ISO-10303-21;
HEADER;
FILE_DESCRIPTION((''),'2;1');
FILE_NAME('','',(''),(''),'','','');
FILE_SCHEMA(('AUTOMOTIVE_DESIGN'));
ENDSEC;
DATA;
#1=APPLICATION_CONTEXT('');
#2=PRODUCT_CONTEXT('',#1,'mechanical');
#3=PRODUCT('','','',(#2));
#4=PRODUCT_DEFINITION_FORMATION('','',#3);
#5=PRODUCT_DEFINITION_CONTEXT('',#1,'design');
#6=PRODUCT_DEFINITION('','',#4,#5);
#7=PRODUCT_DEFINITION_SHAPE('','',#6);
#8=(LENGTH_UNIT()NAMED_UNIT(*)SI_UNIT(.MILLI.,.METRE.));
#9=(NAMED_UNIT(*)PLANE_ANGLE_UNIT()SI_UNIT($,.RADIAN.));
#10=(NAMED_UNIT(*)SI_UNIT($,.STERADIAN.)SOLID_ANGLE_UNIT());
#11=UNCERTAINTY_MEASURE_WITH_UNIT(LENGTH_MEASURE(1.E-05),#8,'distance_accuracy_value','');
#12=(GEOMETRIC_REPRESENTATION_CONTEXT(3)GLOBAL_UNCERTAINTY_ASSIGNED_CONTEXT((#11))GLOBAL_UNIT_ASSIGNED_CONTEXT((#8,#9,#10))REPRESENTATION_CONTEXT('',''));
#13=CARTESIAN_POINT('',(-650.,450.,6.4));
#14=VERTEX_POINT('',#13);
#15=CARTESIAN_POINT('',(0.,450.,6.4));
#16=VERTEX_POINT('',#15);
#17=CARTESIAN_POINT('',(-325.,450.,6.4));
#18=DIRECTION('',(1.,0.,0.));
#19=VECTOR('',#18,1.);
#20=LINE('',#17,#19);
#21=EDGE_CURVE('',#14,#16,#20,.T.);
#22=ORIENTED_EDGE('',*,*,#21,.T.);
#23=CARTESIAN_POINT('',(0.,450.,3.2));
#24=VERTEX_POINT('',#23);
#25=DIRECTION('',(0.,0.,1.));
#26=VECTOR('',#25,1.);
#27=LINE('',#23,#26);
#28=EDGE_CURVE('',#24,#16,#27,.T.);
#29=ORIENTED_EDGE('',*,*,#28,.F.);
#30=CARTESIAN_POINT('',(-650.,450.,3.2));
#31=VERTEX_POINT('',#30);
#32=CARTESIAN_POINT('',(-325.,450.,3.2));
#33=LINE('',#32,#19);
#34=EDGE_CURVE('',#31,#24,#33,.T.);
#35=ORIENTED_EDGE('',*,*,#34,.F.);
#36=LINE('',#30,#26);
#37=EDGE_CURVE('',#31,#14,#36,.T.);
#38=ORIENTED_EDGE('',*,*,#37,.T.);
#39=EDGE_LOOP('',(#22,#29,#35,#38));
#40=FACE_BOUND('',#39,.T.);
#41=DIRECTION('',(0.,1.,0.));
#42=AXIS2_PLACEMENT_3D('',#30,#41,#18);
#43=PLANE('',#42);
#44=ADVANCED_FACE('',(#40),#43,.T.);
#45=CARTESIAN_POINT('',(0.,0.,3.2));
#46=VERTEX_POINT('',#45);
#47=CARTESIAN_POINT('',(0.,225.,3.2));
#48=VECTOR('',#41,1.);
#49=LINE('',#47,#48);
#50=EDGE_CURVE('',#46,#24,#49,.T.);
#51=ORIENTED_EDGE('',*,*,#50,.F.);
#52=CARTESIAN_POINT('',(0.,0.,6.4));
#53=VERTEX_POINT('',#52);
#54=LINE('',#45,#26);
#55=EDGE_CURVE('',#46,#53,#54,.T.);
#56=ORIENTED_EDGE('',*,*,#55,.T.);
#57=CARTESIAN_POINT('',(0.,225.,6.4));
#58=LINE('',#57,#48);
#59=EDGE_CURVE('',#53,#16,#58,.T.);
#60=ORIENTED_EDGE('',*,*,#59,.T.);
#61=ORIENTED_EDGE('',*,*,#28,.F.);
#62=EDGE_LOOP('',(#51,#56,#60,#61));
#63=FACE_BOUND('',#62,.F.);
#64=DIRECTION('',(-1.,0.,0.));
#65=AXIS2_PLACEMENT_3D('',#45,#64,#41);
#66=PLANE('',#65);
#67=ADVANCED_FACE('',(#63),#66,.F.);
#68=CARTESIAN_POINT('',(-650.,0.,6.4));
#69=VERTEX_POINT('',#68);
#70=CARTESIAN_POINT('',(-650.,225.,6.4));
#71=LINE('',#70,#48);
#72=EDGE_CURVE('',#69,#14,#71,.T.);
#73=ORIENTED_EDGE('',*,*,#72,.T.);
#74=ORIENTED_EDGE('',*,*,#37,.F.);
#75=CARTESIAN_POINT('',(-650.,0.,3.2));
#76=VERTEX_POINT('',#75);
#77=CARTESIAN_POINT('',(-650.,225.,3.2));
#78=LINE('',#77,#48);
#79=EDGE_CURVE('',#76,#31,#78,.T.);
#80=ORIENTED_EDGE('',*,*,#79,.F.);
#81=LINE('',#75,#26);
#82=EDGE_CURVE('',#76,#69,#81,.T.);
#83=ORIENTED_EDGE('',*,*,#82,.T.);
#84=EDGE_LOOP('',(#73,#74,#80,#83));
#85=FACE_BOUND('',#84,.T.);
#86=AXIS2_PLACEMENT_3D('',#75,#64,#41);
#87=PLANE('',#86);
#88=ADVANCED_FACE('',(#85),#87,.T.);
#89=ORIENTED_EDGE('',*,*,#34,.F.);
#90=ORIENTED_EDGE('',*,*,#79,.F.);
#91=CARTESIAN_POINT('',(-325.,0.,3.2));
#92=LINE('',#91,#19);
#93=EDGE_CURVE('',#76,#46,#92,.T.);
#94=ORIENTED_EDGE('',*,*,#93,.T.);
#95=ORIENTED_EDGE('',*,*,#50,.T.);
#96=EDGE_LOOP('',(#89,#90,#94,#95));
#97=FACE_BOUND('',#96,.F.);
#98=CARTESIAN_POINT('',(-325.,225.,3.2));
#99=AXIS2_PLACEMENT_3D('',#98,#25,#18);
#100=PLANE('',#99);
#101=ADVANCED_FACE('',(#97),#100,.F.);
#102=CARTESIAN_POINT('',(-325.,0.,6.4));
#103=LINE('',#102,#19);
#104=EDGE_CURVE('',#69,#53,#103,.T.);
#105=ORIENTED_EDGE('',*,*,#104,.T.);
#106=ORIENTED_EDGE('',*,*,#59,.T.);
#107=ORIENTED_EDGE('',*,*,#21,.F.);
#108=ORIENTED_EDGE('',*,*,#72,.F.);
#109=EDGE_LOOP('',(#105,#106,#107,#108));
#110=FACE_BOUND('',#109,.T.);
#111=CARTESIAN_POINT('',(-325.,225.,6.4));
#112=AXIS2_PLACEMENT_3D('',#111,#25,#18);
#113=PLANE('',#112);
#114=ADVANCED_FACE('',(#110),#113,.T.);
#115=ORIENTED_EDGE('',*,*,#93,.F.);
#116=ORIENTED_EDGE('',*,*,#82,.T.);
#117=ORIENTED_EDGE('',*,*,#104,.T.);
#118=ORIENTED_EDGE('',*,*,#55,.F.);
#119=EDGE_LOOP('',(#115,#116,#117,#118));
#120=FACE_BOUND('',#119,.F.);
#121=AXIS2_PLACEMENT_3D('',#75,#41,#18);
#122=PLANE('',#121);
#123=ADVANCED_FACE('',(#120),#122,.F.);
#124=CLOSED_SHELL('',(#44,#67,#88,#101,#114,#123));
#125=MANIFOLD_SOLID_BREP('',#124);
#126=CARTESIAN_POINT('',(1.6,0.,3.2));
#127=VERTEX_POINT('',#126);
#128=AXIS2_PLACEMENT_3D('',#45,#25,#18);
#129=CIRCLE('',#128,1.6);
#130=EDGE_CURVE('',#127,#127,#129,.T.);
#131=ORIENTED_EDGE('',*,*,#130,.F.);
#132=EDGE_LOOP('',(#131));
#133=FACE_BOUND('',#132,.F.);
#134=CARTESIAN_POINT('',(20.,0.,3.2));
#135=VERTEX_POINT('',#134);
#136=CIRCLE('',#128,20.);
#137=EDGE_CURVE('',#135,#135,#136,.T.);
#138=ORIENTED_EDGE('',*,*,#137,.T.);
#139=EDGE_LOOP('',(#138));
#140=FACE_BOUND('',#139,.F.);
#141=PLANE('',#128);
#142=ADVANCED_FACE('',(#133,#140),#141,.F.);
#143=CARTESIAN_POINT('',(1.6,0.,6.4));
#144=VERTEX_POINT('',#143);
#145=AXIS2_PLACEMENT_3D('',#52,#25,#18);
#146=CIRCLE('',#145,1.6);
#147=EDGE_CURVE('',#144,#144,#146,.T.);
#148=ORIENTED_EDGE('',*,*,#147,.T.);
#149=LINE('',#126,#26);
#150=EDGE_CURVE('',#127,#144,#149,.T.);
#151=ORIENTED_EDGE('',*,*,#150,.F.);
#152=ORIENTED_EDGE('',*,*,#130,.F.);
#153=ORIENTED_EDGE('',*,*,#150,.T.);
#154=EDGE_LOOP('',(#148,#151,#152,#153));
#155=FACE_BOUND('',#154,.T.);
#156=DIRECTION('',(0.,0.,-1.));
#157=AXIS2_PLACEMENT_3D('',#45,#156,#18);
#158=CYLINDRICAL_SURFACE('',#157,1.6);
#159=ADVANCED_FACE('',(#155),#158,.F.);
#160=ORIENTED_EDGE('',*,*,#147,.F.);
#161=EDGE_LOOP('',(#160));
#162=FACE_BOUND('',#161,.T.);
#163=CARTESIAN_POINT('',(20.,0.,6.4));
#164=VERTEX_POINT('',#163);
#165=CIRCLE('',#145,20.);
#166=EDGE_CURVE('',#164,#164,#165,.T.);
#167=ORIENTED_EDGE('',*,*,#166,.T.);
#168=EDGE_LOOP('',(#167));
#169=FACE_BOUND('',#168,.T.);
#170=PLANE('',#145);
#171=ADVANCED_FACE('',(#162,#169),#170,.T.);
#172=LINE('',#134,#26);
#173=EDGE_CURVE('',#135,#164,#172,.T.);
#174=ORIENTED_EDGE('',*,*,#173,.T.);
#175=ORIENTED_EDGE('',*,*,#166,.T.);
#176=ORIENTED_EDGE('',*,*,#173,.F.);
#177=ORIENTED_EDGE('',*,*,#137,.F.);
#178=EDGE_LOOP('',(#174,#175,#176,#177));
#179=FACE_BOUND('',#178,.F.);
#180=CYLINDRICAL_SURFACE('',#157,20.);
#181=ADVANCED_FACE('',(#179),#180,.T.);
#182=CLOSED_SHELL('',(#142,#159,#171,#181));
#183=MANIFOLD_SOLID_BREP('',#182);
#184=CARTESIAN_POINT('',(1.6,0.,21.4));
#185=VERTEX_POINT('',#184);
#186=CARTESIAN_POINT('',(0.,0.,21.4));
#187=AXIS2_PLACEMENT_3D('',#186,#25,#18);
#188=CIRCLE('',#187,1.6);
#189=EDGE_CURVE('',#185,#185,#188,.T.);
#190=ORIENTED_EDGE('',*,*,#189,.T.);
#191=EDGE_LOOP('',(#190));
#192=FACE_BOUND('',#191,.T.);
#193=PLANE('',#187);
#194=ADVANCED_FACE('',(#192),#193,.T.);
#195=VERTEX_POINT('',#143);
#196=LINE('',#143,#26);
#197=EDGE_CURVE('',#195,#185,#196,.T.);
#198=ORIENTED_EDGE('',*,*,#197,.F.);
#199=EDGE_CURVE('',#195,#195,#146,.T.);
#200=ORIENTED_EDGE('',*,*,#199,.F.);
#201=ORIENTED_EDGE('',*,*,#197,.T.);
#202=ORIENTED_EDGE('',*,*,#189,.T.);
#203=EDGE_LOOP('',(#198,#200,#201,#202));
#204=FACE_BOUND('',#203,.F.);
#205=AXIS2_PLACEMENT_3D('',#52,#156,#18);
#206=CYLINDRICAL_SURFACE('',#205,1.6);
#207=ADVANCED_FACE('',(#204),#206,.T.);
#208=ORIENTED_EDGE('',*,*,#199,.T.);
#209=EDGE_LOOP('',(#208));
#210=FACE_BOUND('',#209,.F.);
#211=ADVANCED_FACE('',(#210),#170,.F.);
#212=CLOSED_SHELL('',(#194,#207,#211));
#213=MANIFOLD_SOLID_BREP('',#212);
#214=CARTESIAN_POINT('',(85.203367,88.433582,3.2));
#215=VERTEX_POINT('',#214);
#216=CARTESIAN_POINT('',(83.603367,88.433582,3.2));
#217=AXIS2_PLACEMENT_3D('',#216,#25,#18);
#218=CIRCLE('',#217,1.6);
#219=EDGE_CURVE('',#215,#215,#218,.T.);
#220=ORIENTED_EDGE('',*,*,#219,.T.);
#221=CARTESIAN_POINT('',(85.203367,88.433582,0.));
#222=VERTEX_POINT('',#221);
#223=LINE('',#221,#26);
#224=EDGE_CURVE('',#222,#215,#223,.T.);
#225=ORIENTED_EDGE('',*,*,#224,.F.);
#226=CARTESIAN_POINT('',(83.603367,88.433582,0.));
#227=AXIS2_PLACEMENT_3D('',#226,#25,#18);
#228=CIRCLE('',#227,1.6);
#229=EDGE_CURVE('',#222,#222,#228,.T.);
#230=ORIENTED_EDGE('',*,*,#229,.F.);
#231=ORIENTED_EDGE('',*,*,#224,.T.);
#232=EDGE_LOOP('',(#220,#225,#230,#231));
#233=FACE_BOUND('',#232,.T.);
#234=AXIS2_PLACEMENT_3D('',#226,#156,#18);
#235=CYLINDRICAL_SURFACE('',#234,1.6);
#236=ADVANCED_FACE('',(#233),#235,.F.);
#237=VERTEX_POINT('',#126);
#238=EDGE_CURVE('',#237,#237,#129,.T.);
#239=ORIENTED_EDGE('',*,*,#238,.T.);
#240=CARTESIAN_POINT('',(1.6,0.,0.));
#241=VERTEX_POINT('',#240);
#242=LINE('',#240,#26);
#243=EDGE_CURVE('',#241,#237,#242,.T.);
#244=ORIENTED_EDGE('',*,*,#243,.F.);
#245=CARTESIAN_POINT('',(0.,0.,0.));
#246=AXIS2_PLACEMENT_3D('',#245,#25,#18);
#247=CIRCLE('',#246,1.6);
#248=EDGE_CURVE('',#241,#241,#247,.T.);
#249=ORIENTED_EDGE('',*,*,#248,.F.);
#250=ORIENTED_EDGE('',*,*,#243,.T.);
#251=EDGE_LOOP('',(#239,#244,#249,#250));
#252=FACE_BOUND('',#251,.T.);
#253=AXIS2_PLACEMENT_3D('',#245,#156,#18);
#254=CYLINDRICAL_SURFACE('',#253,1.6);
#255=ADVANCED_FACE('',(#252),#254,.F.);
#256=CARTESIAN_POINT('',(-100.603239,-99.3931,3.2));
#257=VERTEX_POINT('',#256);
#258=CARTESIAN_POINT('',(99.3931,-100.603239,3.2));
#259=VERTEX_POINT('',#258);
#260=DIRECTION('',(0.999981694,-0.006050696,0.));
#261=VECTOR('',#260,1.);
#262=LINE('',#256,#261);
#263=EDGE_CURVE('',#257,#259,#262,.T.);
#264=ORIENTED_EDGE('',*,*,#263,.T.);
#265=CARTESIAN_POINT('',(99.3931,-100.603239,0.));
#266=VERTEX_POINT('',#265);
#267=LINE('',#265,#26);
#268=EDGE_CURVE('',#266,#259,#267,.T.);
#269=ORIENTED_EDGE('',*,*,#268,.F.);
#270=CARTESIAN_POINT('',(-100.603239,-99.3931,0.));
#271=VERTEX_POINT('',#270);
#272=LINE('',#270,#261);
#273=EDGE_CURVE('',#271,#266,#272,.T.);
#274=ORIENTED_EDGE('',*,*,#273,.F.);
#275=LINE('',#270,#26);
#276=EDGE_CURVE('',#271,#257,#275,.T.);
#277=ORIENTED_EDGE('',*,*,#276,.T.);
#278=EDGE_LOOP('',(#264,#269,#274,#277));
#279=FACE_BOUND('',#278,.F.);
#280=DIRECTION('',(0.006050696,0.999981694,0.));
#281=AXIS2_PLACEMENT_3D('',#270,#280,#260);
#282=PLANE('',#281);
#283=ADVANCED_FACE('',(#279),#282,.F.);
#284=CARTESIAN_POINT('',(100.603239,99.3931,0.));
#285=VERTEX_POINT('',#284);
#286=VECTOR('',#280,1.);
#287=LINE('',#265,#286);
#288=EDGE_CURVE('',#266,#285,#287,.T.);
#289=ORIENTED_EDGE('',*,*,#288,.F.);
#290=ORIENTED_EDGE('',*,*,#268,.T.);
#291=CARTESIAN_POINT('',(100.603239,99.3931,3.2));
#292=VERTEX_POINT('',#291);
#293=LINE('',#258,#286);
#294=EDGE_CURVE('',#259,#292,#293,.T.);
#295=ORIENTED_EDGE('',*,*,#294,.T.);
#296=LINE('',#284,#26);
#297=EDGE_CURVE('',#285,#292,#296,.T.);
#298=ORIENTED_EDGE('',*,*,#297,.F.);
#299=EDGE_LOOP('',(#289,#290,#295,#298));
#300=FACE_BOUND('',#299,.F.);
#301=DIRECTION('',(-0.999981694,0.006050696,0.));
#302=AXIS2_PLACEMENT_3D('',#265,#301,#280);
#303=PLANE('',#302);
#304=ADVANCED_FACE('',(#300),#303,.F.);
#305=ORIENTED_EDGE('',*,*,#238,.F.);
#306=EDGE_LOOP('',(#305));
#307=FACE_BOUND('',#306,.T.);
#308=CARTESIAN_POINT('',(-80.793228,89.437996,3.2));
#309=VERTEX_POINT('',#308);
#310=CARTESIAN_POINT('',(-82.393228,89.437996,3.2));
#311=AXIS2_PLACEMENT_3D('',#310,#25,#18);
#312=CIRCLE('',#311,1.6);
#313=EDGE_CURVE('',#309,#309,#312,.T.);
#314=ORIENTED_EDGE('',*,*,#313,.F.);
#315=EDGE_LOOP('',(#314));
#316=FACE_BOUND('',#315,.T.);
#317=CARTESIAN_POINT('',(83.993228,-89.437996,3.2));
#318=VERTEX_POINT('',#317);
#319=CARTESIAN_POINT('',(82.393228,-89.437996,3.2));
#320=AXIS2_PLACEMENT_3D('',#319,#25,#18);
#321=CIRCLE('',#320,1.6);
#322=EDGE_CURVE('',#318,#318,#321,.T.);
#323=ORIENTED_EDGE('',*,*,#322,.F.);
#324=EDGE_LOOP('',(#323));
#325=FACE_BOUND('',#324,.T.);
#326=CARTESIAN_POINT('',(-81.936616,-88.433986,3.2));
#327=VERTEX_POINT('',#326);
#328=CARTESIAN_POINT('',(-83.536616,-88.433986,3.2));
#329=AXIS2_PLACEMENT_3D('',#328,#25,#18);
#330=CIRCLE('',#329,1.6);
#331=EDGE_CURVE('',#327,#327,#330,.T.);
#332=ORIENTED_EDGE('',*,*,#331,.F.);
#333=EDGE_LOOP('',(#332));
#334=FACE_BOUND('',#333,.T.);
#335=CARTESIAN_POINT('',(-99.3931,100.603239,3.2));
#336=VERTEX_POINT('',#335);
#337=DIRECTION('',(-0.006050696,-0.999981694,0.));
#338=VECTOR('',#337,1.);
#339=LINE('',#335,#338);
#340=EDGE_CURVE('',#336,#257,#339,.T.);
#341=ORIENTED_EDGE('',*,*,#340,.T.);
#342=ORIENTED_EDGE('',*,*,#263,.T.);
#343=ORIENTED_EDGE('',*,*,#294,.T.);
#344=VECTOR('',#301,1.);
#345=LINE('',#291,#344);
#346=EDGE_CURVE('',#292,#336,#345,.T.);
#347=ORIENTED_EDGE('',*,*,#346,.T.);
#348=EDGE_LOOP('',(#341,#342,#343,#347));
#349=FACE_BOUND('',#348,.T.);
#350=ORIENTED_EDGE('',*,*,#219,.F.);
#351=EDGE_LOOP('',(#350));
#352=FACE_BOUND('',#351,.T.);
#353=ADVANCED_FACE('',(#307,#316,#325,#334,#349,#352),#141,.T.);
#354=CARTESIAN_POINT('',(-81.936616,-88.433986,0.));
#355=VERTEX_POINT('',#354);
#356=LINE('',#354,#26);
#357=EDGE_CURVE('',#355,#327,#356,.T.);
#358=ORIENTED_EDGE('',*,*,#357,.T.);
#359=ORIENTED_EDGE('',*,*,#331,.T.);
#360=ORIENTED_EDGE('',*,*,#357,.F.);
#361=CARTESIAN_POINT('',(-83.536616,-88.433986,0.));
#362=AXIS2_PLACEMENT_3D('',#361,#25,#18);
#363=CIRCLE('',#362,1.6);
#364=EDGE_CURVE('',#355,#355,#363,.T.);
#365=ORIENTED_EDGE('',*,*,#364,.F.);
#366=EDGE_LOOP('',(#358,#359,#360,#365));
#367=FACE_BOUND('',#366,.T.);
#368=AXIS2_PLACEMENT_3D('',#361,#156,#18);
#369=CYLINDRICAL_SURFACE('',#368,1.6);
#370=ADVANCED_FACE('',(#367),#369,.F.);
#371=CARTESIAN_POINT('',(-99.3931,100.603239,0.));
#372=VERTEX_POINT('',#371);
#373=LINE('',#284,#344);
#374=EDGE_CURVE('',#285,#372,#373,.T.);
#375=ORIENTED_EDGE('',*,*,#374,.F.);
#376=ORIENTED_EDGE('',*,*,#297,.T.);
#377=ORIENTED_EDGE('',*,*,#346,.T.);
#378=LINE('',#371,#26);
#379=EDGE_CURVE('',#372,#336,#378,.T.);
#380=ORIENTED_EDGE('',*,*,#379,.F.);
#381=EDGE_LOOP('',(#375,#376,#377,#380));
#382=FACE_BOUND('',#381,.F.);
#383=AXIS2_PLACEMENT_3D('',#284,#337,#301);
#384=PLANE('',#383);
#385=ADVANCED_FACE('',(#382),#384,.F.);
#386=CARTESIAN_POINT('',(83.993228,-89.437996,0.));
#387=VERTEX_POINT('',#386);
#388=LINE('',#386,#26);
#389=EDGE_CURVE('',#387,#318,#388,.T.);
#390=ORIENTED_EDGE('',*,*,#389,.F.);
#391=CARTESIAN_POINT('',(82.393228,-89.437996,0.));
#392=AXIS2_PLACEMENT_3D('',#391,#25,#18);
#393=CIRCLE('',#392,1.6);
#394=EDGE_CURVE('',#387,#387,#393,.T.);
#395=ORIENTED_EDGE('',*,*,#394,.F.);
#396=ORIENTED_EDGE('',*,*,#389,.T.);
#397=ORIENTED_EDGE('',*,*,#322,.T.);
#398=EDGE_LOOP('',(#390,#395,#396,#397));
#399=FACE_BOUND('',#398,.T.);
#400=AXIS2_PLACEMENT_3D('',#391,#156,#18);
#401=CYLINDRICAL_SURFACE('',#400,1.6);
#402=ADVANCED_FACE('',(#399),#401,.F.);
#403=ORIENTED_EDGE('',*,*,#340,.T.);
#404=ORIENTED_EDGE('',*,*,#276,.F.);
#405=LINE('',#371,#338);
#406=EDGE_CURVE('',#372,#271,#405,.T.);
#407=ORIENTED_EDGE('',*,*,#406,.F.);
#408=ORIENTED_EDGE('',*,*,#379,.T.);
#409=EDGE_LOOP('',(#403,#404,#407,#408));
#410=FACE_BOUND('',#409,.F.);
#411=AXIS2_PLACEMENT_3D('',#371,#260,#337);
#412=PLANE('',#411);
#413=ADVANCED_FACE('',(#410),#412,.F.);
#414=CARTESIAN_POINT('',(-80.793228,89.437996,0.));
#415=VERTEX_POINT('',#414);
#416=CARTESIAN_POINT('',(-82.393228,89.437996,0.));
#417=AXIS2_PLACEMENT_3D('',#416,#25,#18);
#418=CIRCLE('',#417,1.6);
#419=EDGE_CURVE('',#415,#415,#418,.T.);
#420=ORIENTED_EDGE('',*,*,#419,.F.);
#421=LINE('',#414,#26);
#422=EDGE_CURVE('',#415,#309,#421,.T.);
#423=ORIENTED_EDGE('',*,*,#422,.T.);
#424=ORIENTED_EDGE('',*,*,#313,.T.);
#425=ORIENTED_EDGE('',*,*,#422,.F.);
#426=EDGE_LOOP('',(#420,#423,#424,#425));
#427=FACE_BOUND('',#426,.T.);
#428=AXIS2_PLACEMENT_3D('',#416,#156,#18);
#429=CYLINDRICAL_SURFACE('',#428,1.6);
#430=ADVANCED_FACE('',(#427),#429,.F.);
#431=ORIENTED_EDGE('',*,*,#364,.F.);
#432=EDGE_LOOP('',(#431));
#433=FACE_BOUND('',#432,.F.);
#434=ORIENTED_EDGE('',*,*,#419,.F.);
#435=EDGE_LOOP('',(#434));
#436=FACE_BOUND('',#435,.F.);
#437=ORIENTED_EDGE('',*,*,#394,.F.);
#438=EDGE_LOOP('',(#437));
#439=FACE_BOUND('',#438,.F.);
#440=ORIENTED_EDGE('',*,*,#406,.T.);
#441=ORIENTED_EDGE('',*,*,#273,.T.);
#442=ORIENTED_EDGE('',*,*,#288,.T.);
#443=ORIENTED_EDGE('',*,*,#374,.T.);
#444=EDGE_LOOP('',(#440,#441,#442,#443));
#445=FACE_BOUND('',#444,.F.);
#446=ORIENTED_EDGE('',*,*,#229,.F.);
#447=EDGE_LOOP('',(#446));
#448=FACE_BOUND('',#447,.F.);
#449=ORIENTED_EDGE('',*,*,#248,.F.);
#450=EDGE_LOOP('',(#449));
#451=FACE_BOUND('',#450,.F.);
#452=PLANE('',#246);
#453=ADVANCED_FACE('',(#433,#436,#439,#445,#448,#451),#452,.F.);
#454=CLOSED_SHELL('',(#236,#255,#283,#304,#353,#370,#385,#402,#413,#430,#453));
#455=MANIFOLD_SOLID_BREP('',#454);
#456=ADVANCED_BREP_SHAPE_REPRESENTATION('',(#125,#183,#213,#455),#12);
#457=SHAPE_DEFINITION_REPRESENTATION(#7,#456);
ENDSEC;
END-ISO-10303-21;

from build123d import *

# Parameters (mm, degrees)
F0_R     = 1.6
F1_DEPTH = 3.2
F2_R     = 20
F2_R_2   = 1.6
F3_DEPTH = 3.2
F4_R     = 1.6
F5_DEPTH = 15
F6_W     = 650
F6_H     = 450
F7_DEPTH = 3.2


with BuildPart() as f1:
    # F0 (on Top) → F1 (new body)
    with BuildSketch(Plane.XY):
        Polygon((100.6032389982, 99.3930998765), (-99.3930998765, 100.6032389982), (-100.6032389982, -99.3930998765), (99.3930998765, -100.6032389982), align=None)
        with Locations((-83.5366163231, -88.4339863755)):
            Circle(F0_R, mode=Mode.SUBTRACT)
        Circle(F0_R, mode=Mode.SUBTRACT)
        with Locations((82.3932280159, -89.4379957349)):
            Circle(F0_R, mode=Mode.SUBTRACT)
        with Locations((-82.3932280159, 89.4379957349)):
            Circle(F0_R, mode=Mode.SUBTRACT)
        with Locations((83.6033671376, 88.4335824792)):
            Circle(F0_R, mode=Mode.SUBTRACT)
    extrude(amount=F1_DEPTH)


with BuildPart() as f3:
    # F2 (on face) → F3 (new body)
    with BuildSketch(Plane.XY.offset(3.2)):
        Circle(F2_R)
        Circle(F2_R_2, mode=Mode.SUBTRACT)
    extrude(amount=F3_DEPTH)


with BuildPart() as f5:
    # F4 (on face) → F5 (new body)
    with BuildSketch(Plane.XY.offset(6.4)):
        Circle(F4_R)
    extrude(amount=F5_DEPTH)


with BuildPart() as f7:
    # F6 (on face) → F7 (new body)
    with BuildSketch(Plane.XY.offset(3.2)):
        with Locations((-325, 225)):
            Rectangle(F6_W, F6_H)
    extrude(amount=F7_DEPTH)


solid = Compound([f1.part, f3.part, f5.part, f7.part])
